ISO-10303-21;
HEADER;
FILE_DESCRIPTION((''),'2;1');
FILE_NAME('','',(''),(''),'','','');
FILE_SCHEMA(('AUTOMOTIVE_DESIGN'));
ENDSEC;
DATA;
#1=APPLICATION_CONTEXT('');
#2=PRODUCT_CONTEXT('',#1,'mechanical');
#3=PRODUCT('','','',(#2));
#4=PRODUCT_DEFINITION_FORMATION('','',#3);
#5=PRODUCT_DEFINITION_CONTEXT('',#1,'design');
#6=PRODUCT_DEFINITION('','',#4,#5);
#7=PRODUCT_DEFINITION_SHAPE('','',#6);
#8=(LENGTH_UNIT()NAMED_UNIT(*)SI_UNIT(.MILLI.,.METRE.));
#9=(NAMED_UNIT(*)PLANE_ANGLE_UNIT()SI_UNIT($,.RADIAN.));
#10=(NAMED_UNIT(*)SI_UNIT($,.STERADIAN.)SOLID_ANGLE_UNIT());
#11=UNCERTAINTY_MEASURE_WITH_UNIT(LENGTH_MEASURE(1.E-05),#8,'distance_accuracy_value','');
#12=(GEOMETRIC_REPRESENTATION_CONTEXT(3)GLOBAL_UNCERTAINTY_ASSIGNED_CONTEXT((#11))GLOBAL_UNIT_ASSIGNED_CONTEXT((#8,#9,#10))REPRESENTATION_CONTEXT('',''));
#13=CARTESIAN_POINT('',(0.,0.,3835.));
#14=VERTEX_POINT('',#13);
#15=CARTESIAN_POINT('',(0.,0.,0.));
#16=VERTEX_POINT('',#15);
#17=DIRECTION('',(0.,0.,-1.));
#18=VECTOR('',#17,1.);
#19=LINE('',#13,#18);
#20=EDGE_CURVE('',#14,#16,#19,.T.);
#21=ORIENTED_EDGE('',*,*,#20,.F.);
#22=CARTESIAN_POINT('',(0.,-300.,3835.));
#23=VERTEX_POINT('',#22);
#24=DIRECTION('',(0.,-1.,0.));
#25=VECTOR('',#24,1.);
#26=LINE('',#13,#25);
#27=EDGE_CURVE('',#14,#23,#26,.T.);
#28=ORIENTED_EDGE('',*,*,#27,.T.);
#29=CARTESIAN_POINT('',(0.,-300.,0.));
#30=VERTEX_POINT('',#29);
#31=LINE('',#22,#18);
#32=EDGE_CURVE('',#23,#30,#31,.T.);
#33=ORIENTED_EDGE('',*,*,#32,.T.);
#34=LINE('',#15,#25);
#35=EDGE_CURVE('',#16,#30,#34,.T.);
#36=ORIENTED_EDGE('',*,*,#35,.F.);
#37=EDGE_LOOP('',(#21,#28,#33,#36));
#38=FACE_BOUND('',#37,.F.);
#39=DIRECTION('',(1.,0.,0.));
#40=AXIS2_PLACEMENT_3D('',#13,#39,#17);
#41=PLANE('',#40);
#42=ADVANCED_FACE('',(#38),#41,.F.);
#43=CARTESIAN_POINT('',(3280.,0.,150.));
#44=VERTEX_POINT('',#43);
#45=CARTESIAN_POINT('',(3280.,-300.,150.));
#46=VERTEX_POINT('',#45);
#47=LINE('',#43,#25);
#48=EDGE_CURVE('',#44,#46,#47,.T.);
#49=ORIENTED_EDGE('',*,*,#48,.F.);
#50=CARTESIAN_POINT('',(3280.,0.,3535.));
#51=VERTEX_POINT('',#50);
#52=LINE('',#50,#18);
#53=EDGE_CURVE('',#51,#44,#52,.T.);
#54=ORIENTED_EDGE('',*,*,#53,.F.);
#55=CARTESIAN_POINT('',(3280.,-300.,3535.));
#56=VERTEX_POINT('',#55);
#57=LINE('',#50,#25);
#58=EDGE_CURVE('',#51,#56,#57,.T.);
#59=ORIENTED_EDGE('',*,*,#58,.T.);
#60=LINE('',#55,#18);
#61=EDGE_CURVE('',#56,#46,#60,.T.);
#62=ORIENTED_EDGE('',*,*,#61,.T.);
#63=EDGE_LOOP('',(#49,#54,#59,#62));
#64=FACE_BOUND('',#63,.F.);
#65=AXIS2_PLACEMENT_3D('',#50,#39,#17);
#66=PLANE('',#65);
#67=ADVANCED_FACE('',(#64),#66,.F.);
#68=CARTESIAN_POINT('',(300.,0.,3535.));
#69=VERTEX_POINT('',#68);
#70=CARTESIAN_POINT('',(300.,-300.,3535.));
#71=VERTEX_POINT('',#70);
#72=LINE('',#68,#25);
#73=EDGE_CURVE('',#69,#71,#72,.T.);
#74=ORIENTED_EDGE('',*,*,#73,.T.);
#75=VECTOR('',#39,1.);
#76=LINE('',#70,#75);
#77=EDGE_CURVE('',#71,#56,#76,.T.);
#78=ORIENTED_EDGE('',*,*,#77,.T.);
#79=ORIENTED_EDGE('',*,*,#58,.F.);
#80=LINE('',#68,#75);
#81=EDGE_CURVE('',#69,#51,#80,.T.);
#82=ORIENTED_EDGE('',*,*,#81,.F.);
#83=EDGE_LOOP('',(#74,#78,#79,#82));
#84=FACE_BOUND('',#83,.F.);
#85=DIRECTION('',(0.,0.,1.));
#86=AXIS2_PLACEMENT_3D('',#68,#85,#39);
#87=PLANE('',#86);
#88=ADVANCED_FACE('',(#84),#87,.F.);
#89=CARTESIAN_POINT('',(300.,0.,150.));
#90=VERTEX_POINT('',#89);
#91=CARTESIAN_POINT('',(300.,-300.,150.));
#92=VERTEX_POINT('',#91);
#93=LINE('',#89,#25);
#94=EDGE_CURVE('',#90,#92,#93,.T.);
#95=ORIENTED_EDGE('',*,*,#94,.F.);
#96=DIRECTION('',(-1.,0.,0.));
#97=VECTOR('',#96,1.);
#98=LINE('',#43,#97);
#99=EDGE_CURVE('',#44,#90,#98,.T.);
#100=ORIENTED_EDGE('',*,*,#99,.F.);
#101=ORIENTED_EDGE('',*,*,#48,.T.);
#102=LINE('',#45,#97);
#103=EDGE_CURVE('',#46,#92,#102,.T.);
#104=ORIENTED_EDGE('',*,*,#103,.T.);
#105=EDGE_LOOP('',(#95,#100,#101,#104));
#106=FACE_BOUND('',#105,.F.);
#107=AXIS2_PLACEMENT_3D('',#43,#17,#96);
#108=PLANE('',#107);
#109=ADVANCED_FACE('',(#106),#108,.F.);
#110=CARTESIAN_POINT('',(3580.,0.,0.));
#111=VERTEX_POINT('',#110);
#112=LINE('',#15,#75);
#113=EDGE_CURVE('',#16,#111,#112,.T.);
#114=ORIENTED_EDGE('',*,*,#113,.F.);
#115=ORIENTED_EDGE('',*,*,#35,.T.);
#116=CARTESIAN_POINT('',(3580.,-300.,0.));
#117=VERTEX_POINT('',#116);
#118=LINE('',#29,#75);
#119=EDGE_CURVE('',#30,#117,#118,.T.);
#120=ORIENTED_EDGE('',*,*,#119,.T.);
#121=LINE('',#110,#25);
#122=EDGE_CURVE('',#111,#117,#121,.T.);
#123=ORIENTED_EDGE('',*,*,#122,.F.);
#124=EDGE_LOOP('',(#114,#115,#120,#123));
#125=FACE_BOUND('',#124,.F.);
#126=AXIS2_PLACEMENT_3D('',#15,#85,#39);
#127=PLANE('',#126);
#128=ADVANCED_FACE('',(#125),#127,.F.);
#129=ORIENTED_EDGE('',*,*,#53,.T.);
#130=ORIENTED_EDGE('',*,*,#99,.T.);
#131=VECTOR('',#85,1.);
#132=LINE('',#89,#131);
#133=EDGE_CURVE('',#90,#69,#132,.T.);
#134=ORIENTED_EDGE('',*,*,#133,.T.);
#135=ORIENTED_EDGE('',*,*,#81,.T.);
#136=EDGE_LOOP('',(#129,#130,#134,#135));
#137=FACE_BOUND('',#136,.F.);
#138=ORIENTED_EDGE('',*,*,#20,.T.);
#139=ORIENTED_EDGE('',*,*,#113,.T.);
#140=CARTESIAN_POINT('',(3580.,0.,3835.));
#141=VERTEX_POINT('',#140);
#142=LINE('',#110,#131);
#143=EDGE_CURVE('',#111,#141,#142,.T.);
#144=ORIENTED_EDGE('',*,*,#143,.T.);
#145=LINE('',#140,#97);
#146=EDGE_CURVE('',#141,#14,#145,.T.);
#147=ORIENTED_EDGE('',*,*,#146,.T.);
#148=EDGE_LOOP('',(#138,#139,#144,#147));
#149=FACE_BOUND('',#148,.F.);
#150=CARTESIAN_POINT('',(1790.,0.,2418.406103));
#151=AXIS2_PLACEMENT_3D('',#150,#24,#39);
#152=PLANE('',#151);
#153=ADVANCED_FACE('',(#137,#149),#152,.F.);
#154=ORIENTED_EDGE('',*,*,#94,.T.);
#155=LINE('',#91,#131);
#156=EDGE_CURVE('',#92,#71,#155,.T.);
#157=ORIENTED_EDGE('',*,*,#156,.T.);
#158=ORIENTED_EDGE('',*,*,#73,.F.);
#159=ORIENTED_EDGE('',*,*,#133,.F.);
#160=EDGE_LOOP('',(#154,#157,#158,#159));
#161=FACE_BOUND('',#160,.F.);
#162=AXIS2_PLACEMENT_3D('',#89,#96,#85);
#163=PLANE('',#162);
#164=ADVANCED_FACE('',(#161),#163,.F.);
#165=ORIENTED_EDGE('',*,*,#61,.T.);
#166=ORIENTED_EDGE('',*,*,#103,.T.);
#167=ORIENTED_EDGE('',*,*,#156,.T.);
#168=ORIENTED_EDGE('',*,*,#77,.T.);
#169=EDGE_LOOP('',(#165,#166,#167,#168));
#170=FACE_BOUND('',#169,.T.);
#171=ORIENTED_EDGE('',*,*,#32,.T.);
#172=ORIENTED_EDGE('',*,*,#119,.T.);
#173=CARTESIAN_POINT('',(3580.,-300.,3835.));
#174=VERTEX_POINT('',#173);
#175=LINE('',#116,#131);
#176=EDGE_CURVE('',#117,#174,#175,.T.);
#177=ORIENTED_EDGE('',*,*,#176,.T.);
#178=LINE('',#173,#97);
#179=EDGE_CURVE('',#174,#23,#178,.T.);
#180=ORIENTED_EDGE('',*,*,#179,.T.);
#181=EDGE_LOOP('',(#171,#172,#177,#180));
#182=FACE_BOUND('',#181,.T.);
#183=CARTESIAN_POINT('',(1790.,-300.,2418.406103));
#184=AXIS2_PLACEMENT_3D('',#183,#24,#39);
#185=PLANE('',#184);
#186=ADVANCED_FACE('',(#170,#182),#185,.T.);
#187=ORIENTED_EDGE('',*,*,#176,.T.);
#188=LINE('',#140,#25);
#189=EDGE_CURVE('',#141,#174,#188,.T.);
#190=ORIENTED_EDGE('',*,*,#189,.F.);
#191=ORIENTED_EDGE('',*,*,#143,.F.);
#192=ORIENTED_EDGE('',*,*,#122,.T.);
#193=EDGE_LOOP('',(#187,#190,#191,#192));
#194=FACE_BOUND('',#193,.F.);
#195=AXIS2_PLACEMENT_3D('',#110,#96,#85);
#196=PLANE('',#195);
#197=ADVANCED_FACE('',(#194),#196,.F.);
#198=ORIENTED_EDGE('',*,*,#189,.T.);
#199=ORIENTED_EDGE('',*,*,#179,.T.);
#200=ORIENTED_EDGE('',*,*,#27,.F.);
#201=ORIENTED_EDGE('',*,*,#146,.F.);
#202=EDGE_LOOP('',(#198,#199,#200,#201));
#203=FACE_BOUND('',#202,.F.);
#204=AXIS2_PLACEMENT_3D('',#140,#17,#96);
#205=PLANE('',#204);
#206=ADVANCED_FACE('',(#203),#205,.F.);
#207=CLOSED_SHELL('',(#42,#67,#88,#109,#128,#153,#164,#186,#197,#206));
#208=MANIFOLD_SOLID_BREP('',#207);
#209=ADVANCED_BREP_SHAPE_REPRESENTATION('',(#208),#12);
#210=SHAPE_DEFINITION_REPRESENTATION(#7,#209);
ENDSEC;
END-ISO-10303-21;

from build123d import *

# Parameters (mm, degrees)
F1_DEPTH = 300


with BuildPart() as f1:
    # F0 (on Front) → F1 (new body)
    with BuildSketch(Plane.XZ):
        Polygon((300, 150), (300, 3535), (3280, 3535), (3280, 150), (3580, 150), (3580, 3835), (0, 3835), (0, 150), align=None)
        Polygon((3280, 150), (300, 150), (0, 150), (0, 0), (3580, 0), (3580, 150), align=None)
    extrude(amount=F1_DEPTH)


solid = f1.part
